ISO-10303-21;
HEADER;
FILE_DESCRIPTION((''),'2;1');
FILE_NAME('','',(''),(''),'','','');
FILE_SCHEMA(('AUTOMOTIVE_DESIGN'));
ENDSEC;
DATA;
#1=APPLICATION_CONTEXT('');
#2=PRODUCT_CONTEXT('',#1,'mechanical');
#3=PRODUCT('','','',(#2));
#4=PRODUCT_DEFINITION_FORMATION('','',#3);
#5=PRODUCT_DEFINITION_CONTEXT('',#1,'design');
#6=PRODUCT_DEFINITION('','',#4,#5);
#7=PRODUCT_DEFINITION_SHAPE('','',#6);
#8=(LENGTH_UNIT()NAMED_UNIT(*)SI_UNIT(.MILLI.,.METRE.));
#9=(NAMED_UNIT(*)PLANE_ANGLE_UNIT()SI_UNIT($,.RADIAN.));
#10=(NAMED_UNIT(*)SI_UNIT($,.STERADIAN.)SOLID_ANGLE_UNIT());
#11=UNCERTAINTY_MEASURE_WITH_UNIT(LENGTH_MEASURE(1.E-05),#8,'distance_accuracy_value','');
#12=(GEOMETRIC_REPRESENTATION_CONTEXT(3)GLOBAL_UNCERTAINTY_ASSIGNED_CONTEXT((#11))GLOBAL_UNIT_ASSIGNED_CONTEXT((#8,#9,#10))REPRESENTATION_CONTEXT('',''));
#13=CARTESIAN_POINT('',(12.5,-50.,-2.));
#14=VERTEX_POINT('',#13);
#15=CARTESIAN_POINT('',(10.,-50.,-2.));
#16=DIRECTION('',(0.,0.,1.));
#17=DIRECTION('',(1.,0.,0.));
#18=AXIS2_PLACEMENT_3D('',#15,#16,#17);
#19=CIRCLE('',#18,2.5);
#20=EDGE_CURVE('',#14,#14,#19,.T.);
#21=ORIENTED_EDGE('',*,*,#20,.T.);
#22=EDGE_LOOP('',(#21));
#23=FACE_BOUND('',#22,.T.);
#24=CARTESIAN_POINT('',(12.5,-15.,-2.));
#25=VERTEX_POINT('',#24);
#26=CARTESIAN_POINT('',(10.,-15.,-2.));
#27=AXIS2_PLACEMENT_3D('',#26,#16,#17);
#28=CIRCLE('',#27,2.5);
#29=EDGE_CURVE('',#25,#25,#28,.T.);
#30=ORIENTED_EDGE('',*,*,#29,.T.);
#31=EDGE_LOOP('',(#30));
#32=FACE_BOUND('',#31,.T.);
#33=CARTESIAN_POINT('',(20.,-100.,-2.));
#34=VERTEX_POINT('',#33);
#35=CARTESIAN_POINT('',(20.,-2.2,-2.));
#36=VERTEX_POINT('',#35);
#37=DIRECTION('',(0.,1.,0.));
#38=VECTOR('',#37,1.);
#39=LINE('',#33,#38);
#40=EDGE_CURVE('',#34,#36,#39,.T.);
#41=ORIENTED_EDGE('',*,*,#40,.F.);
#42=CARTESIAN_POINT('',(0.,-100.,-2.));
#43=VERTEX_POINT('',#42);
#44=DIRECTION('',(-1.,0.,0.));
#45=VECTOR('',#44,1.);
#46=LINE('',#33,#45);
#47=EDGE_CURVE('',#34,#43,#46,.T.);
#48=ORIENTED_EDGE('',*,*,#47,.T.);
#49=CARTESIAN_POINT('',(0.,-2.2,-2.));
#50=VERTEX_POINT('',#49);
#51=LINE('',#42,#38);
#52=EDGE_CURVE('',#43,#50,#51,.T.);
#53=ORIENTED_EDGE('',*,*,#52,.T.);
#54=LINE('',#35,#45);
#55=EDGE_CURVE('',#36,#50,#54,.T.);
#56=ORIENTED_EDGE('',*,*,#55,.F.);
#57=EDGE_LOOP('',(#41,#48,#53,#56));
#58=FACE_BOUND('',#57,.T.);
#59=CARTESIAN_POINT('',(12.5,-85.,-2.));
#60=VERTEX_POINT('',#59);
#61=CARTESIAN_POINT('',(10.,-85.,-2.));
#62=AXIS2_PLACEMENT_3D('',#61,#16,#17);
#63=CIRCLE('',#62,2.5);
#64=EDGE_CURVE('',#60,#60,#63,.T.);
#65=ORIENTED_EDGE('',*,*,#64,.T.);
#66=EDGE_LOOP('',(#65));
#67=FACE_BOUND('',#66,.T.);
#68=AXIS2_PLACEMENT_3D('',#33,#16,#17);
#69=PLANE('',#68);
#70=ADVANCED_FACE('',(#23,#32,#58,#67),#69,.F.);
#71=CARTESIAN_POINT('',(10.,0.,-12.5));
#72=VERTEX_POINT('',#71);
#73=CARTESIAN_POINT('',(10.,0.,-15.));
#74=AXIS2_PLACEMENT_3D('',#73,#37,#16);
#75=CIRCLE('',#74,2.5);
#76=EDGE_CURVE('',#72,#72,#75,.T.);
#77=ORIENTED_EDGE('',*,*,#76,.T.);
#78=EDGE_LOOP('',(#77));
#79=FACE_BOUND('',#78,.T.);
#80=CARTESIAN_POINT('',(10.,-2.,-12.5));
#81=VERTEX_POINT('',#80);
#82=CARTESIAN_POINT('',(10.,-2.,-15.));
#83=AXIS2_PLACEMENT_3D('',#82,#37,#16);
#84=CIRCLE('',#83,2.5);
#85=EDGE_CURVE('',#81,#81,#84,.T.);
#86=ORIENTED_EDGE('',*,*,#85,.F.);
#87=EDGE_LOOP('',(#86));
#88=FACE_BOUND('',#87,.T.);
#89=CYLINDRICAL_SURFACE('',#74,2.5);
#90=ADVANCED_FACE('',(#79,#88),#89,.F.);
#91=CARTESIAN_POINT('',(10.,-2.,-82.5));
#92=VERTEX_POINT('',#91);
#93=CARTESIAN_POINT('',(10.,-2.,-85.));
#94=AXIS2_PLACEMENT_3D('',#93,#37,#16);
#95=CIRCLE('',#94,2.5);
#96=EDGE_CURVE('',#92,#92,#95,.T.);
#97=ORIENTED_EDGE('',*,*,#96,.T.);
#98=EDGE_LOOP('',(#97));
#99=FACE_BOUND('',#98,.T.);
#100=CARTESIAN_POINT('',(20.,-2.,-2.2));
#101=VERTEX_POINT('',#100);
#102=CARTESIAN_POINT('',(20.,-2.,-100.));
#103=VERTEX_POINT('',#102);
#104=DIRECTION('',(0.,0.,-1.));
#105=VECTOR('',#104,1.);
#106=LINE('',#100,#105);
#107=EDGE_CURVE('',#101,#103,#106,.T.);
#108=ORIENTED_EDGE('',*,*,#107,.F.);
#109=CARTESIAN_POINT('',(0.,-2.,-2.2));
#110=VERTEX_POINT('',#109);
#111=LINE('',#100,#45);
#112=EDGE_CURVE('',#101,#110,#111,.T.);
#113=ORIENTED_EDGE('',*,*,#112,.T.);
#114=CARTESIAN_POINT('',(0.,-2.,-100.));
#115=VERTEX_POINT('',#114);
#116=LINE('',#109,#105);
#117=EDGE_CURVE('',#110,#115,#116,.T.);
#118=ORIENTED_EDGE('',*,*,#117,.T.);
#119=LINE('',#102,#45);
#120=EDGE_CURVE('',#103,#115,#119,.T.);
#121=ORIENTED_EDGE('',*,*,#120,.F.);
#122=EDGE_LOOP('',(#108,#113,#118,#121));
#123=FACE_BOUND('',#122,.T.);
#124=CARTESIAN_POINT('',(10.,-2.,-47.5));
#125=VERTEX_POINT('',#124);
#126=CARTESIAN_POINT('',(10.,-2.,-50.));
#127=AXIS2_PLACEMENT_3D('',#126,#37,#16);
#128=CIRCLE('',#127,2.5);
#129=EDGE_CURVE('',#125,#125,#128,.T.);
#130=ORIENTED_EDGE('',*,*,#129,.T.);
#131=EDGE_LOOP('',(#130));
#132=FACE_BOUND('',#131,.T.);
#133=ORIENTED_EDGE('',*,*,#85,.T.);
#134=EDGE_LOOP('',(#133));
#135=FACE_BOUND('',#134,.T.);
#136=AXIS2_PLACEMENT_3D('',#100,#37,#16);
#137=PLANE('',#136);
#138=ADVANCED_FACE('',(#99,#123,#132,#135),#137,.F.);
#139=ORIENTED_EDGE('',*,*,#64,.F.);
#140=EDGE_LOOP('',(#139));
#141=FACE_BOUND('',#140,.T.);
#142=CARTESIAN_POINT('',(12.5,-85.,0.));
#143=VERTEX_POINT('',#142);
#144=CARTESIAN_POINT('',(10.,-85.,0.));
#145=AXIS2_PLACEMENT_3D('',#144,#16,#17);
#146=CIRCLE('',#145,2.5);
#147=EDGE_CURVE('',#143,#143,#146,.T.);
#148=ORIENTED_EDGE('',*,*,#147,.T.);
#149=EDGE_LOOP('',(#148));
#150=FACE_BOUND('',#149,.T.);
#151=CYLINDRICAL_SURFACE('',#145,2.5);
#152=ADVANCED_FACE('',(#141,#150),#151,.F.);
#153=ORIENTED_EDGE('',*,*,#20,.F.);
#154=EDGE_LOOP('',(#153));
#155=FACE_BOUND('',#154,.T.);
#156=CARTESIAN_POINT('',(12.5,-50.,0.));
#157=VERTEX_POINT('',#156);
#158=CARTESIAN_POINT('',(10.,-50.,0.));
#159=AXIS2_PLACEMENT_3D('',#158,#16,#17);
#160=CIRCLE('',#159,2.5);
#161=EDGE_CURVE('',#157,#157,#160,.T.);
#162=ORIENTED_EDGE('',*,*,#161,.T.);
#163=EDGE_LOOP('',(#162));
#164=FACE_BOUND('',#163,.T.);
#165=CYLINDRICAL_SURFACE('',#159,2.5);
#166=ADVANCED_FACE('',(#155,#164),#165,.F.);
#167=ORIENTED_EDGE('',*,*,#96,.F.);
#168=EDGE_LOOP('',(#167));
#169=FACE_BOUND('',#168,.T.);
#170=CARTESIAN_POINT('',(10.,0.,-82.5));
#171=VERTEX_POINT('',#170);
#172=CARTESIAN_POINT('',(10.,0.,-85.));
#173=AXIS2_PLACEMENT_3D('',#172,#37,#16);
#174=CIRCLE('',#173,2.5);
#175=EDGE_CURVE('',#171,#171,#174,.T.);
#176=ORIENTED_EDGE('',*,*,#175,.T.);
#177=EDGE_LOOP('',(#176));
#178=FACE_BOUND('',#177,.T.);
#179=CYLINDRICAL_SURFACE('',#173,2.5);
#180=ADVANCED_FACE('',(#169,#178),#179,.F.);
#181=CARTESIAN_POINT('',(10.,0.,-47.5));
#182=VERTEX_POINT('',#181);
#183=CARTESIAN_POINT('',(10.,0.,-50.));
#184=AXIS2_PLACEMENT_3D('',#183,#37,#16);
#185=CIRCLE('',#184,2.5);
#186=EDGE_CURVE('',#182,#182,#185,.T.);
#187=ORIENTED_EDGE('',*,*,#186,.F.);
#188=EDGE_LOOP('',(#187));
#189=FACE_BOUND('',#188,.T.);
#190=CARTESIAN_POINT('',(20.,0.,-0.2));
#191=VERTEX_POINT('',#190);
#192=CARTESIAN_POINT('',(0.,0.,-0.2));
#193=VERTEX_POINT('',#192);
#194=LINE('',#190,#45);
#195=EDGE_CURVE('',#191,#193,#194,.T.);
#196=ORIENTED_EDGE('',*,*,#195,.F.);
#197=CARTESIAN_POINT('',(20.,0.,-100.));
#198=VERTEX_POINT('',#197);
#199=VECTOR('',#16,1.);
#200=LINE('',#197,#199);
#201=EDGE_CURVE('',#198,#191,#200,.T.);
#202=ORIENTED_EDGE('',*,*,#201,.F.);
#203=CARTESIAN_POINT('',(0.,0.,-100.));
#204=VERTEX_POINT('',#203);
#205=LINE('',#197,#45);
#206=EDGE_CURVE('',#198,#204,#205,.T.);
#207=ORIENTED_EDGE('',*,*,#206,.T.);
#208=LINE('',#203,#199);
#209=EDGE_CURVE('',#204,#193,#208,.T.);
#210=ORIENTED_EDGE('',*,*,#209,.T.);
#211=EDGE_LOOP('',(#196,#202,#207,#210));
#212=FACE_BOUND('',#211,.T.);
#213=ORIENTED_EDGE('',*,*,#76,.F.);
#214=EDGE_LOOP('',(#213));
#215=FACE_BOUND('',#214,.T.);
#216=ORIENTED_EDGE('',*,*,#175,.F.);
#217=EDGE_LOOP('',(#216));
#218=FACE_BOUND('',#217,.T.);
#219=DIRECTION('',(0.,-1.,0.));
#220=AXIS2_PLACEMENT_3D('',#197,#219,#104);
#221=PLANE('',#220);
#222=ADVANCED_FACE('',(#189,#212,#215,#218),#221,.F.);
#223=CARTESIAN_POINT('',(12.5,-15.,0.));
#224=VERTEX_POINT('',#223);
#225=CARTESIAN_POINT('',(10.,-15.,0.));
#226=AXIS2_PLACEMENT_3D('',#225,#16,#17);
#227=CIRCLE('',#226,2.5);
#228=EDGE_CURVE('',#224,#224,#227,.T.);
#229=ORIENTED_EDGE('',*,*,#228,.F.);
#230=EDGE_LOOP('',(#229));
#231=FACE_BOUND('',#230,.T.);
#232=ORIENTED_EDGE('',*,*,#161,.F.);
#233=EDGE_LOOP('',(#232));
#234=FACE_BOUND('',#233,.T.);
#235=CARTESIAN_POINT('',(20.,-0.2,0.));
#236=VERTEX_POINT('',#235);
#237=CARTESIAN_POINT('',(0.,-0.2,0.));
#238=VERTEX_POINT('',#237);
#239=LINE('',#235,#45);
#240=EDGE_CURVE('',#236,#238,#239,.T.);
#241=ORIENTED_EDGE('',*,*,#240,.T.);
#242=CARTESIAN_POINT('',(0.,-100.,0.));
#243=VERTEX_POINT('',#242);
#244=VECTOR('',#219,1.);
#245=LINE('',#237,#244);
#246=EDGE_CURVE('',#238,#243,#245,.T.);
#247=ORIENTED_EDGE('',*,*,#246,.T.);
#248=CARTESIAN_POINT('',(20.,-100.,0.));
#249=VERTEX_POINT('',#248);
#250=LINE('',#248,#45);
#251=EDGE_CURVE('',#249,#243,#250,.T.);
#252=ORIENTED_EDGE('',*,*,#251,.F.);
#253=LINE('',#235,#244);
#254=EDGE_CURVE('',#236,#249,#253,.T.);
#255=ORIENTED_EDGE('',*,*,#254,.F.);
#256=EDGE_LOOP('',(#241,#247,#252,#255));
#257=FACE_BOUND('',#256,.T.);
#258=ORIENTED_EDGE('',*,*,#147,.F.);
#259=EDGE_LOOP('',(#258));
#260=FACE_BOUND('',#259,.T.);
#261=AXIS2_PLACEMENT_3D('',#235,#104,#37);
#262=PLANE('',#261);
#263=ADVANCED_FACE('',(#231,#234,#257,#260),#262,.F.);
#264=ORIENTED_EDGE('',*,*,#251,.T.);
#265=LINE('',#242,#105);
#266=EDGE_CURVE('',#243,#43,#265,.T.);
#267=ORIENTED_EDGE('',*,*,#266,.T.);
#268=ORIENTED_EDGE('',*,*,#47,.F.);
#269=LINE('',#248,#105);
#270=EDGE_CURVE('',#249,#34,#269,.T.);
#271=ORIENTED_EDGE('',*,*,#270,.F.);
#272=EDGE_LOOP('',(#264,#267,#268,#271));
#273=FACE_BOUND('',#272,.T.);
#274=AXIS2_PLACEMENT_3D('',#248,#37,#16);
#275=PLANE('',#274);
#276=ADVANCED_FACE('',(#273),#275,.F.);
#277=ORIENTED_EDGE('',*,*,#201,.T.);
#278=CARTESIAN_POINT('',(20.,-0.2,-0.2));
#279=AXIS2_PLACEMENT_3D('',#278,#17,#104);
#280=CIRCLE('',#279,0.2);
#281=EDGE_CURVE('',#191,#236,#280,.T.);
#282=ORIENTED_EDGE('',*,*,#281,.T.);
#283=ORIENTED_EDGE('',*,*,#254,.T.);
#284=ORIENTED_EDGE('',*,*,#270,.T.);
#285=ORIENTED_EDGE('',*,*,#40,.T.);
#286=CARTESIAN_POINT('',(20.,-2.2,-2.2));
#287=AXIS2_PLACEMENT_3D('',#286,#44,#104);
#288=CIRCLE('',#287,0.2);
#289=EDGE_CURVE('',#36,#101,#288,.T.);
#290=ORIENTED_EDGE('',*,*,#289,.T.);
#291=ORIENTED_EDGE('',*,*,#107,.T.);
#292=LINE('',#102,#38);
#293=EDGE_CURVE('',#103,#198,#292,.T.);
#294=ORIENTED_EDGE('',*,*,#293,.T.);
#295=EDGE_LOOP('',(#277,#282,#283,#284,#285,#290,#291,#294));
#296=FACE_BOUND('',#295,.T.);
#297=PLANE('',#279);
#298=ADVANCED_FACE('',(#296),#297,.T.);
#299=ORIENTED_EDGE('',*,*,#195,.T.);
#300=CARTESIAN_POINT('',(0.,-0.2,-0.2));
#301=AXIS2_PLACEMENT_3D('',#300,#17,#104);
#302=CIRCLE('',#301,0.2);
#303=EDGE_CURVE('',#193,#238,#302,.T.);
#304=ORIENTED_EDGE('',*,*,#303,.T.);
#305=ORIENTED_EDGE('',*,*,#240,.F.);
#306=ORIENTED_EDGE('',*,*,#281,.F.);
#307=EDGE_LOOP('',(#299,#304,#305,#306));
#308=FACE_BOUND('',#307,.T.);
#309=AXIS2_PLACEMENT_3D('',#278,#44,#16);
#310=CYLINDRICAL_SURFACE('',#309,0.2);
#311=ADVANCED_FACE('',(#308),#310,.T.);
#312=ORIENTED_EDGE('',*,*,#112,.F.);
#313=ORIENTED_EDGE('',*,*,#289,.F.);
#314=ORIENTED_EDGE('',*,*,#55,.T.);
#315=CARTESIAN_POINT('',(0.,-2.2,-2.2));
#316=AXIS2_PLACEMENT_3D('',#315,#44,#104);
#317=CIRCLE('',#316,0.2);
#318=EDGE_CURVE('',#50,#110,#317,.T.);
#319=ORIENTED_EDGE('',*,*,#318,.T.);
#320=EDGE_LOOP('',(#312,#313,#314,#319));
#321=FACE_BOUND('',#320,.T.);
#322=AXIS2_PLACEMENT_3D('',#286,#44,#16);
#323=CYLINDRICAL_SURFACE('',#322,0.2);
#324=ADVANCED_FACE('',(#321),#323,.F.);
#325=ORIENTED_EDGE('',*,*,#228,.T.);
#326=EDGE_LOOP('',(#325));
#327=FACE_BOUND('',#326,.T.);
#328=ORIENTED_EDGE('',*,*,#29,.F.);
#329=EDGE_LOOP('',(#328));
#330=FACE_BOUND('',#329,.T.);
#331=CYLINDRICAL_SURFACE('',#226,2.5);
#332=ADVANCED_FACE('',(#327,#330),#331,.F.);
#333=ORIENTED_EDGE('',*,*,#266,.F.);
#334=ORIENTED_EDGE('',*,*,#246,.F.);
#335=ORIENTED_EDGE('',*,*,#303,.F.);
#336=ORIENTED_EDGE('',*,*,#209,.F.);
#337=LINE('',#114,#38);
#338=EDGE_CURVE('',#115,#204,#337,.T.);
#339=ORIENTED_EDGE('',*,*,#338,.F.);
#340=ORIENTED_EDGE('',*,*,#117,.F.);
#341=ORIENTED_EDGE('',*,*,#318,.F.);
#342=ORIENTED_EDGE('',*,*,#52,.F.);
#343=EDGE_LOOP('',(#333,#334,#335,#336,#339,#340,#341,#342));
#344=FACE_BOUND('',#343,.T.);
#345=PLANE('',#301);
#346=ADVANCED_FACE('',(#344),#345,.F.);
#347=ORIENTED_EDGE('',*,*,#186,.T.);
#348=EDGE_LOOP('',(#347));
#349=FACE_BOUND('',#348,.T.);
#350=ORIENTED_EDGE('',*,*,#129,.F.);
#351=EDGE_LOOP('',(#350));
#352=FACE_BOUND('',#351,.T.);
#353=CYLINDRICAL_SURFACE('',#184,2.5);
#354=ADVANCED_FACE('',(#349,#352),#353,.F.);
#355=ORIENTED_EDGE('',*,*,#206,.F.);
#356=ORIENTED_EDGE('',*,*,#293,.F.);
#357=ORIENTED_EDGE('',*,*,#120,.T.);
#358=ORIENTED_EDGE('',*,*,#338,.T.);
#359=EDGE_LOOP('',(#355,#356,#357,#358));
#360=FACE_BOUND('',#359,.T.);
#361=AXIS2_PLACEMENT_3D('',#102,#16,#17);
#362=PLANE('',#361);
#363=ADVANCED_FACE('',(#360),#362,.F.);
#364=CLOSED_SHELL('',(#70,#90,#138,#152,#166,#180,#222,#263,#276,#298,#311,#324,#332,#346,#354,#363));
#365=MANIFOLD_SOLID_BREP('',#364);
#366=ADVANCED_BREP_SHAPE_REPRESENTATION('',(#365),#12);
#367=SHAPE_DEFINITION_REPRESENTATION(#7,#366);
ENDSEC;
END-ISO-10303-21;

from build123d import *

# Parameters (mm, degrees)
EXTRUSION1_DEPTH = 20
HOLE1_D          = 5
HOLE2_D          = 5


with BuildPart() as part:
    # Sketch1 → Extrusion1 (new body)
    with BuildSketch(Plane.YZ):
        with BuildLine():
            Line((0, -100), (0, -0.2))
            ThreePointArc((0, -0.2), (-0.058578644, -0.058578644), (-0.2, 0))
            Line((-0.2, 0), (-100, 0))
            Line((-100, 0), (-100, -2))
            Line((-100, -2), (-2.2, -2))
            ThreePointArc((-2.2, -2), (-2.058578644, -2.058578644), (-2, -2.2))
            Line((-2, -2.2), (-2, -100))
            Line((-2, -100), (0, -100))
        make_face()
    extrude(amount=EXTRUSION1_DEPTH)

    # Hole1 (through all)
    with Locations(Plane(origin=(0, 0, 0), x_dir=(1, 0, 0), z_dir=(0, 1, 0))):
        with Locations((10, 15), (10, 50), (10, 85)):
            Hole(HOLE1_D / 2)

    # Hole2 (through all)
    with Locations(Plane.XY):
        with Locations((10, -85), (10, -50), (10, -15)):
            Hole(HOLE2_D / 2)


solid = part.part
